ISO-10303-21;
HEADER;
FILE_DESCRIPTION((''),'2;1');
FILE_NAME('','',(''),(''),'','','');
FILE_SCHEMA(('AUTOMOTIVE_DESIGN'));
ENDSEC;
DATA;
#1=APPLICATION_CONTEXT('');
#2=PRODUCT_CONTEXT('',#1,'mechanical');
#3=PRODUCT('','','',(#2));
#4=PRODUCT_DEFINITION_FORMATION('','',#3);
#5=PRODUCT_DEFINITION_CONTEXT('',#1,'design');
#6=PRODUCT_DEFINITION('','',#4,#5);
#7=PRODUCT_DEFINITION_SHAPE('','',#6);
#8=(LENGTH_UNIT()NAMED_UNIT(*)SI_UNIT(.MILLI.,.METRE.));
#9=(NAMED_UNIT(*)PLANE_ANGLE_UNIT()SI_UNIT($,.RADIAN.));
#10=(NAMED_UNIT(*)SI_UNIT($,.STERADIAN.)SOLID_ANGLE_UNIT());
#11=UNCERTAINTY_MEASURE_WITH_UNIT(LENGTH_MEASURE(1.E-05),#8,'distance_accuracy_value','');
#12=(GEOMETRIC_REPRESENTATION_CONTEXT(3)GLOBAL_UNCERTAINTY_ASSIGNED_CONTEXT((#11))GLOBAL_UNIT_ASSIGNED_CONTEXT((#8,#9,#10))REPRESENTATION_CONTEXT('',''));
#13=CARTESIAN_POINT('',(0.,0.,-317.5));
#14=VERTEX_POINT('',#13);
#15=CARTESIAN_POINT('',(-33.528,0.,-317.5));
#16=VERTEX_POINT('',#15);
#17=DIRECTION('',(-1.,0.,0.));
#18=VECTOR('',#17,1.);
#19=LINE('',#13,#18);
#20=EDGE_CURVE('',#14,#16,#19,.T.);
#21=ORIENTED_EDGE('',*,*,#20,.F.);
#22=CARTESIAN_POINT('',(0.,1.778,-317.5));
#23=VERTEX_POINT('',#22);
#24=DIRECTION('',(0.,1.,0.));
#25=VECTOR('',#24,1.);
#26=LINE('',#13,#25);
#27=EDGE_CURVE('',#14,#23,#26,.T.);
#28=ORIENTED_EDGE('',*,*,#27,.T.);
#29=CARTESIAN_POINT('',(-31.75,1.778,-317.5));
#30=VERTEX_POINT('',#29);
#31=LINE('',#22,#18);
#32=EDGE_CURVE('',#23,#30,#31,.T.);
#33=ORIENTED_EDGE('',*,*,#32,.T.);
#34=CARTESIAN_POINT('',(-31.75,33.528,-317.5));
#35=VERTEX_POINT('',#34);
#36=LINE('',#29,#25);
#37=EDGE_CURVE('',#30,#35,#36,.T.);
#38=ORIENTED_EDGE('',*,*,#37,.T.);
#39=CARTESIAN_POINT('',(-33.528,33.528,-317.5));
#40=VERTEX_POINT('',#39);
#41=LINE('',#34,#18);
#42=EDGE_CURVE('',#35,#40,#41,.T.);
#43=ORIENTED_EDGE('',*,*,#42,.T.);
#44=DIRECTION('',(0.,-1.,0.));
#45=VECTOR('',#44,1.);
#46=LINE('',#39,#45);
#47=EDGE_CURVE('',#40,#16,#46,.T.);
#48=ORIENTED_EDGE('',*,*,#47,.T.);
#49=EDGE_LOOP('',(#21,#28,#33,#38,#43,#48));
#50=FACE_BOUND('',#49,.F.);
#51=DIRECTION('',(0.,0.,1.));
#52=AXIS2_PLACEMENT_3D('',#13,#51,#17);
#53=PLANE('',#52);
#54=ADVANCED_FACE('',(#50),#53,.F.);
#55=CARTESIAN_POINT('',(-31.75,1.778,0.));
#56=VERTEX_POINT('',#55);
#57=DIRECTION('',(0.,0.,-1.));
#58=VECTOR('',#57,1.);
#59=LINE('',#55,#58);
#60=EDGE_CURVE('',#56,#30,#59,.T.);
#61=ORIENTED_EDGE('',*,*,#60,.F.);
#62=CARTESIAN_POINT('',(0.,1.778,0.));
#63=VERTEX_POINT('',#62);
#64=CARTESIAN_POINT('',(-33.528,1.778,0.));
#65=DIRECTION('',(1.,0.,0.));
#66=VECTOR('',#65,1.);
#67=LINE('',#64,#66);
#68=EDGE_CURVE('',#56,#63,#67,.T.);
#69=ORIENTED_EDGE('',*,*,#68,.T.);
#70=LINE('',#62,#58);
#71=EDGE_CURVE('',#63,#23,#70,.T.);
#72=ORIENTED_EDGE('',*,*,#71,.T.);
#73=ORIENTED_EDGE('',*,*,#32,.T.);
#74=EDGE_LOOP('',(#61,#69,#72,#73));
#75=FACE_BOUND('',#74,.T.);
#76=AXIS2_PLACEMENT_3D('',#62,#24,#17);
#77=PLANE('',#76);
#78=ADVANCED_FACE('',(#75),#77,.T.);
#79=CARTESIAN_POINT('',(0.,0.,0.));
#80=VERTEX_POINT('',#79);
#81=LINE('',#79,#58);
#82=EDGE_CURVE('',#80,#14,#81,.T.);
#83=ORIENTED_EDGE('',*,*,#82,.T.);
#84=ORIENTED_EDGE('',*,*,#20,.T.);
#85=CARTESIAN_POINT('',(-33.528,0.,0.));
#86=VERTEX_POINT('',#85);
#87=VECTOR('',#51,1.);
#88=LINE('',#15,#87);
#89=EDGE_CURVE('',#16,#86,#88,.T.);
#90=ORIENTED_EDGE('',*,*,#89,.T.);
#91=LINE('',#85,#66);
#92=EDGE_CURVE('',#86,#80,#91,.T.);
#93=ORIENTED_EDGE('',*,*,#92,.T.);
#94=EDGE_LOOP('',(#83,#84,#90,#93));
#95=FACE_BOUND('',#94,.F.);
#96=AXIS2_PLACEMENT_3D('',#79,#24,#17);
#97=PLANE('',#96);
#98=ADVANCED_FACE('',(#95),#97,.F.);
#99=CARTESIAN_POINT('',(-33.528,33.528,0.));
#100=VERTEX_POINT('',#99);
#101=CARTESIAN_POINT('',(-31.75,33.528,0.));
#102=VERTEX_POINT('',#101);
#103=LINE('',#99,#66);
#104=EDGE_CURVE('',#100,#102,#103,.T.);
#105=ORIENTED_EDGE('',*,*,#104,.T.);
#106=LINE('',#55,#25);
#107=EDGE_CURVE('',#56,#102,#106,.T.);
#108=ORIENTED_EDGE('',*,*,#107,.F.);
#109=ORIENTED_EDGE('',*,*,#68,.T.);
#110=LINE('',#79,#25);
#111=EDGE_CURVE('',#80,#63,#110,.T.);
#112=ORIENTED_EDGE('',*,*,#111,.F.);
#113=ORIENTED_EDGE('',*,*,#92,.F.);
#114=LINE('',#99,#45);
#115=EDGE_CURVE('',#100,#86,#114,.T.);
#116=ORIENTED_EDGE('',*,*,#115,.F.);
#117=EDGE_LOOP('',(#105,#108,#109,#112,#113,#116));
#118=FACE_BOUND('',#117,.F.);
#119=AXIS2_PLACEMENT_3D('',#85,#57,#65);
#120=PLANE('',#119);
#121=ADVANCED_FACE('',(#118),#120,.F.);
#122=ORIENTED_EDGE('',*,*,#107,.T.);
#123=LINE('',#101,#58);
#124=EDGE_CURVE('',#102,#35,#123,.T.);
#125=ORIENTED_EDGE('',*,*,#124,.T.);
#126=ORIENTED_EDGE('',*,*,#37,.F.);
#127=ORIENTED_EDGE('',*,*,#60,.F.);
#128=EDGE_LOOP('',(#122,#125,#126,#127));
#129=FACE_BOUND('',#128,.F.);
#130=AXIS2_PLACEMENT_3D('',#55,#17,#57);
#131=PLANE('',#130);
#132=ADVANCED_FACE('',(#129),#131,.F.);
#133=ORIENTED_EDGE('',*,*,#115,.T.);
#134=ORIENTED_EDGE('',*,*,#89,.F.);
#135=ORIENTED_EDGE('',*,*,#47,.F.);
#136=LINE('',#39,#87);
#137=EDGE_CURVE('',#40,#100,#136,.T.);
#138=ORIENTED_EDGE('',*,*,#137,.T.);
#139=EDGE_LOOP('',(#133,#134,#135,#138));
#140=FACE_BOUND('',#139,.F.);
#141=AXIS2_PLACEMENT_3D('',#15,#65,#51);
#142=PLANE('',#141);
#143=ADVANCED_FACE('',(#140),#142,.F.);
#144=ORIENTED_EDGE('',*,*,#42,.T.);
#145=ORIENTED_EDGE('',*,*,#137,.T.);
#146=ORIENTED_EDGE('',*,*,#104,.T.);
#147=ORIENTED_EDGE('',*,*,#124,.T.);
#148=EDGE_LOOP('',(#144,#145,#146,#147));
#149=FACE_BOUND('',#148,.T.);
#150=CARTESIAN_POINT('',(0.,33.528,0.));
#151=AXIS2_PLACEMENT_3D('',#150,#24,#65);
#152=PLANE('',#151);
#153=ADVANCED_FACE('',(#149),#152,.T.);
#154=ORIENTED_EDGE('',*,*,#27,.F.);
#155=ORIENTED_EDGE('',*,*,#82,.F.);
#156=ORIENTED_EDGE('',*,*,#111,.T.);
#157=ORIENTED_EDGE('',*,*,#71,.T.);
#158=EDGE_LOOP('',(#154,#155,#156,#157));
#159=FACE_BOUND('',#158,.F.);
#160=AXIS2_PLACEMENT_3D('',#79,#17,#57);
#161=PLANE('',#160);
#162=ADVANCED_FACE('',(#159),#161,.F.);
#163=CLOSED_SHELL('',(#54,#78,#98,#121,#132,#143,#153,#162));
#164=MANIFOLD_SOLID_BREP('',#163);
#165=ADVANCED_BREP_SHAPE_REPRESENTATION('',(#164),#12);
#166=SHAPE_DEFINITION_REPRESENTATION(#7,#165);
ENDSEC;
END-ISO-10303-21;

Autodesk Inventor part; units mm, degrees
ref_plane "YZ Plane" through (0, 0, 0) normal (1, 0, 0) x (0, 1, 0)
ref_plane "XZ Plane" through (0, 0, 0) normal (0, 1, 0) x (-1, 0, 0)
ref_plane "XY Plane" through (0, 0, 0) normal (0, 0, 1) x (1, 0, 0)
sketch "Sketch1" plane through (0, 0, 0) normal (0, 1, 0) x (-1, 0, 0)
  line L0 (0, 0) -> (0, -317.5)
  line L1 (0, -317.5) -> (33.528, -317.5)
  line L2 (33.528, -317.5) -> (33.528, 0)
  line L3 (33.528, 0) -> (0, 0)
  dimension "d0" = 317.5
  dimension "d1" = 33.528
extrude "Extrusion1" add sketch "Sketch1" along normal blind 1.778
sketch "Sketch2" plane through (0, 1.778, 0) normal (0, 1, 0) x (1, 0, 0)
  line L0 (-33.528, 0) -> (0, 0) projected
  line L1 (-33.528, 0) -> (-31.75, 0)
  line L2 (-31.75, 0) -> (-31.75, 317.5)
  line L3 (-33.528, 317.5) -> (-33.528, 0) projected
  line L4 (-31.75, 317.5) -> (-33.528, 317.5)
  line L5 (-33.528, 317.5) -> (-33.528, 0)
  dimension "d4" = 1.778
extrude "Extrusion2" add sketch "Sketch2" along normal blind 31.75
properties part number "Long Boi" material "Steel, Alloy"
